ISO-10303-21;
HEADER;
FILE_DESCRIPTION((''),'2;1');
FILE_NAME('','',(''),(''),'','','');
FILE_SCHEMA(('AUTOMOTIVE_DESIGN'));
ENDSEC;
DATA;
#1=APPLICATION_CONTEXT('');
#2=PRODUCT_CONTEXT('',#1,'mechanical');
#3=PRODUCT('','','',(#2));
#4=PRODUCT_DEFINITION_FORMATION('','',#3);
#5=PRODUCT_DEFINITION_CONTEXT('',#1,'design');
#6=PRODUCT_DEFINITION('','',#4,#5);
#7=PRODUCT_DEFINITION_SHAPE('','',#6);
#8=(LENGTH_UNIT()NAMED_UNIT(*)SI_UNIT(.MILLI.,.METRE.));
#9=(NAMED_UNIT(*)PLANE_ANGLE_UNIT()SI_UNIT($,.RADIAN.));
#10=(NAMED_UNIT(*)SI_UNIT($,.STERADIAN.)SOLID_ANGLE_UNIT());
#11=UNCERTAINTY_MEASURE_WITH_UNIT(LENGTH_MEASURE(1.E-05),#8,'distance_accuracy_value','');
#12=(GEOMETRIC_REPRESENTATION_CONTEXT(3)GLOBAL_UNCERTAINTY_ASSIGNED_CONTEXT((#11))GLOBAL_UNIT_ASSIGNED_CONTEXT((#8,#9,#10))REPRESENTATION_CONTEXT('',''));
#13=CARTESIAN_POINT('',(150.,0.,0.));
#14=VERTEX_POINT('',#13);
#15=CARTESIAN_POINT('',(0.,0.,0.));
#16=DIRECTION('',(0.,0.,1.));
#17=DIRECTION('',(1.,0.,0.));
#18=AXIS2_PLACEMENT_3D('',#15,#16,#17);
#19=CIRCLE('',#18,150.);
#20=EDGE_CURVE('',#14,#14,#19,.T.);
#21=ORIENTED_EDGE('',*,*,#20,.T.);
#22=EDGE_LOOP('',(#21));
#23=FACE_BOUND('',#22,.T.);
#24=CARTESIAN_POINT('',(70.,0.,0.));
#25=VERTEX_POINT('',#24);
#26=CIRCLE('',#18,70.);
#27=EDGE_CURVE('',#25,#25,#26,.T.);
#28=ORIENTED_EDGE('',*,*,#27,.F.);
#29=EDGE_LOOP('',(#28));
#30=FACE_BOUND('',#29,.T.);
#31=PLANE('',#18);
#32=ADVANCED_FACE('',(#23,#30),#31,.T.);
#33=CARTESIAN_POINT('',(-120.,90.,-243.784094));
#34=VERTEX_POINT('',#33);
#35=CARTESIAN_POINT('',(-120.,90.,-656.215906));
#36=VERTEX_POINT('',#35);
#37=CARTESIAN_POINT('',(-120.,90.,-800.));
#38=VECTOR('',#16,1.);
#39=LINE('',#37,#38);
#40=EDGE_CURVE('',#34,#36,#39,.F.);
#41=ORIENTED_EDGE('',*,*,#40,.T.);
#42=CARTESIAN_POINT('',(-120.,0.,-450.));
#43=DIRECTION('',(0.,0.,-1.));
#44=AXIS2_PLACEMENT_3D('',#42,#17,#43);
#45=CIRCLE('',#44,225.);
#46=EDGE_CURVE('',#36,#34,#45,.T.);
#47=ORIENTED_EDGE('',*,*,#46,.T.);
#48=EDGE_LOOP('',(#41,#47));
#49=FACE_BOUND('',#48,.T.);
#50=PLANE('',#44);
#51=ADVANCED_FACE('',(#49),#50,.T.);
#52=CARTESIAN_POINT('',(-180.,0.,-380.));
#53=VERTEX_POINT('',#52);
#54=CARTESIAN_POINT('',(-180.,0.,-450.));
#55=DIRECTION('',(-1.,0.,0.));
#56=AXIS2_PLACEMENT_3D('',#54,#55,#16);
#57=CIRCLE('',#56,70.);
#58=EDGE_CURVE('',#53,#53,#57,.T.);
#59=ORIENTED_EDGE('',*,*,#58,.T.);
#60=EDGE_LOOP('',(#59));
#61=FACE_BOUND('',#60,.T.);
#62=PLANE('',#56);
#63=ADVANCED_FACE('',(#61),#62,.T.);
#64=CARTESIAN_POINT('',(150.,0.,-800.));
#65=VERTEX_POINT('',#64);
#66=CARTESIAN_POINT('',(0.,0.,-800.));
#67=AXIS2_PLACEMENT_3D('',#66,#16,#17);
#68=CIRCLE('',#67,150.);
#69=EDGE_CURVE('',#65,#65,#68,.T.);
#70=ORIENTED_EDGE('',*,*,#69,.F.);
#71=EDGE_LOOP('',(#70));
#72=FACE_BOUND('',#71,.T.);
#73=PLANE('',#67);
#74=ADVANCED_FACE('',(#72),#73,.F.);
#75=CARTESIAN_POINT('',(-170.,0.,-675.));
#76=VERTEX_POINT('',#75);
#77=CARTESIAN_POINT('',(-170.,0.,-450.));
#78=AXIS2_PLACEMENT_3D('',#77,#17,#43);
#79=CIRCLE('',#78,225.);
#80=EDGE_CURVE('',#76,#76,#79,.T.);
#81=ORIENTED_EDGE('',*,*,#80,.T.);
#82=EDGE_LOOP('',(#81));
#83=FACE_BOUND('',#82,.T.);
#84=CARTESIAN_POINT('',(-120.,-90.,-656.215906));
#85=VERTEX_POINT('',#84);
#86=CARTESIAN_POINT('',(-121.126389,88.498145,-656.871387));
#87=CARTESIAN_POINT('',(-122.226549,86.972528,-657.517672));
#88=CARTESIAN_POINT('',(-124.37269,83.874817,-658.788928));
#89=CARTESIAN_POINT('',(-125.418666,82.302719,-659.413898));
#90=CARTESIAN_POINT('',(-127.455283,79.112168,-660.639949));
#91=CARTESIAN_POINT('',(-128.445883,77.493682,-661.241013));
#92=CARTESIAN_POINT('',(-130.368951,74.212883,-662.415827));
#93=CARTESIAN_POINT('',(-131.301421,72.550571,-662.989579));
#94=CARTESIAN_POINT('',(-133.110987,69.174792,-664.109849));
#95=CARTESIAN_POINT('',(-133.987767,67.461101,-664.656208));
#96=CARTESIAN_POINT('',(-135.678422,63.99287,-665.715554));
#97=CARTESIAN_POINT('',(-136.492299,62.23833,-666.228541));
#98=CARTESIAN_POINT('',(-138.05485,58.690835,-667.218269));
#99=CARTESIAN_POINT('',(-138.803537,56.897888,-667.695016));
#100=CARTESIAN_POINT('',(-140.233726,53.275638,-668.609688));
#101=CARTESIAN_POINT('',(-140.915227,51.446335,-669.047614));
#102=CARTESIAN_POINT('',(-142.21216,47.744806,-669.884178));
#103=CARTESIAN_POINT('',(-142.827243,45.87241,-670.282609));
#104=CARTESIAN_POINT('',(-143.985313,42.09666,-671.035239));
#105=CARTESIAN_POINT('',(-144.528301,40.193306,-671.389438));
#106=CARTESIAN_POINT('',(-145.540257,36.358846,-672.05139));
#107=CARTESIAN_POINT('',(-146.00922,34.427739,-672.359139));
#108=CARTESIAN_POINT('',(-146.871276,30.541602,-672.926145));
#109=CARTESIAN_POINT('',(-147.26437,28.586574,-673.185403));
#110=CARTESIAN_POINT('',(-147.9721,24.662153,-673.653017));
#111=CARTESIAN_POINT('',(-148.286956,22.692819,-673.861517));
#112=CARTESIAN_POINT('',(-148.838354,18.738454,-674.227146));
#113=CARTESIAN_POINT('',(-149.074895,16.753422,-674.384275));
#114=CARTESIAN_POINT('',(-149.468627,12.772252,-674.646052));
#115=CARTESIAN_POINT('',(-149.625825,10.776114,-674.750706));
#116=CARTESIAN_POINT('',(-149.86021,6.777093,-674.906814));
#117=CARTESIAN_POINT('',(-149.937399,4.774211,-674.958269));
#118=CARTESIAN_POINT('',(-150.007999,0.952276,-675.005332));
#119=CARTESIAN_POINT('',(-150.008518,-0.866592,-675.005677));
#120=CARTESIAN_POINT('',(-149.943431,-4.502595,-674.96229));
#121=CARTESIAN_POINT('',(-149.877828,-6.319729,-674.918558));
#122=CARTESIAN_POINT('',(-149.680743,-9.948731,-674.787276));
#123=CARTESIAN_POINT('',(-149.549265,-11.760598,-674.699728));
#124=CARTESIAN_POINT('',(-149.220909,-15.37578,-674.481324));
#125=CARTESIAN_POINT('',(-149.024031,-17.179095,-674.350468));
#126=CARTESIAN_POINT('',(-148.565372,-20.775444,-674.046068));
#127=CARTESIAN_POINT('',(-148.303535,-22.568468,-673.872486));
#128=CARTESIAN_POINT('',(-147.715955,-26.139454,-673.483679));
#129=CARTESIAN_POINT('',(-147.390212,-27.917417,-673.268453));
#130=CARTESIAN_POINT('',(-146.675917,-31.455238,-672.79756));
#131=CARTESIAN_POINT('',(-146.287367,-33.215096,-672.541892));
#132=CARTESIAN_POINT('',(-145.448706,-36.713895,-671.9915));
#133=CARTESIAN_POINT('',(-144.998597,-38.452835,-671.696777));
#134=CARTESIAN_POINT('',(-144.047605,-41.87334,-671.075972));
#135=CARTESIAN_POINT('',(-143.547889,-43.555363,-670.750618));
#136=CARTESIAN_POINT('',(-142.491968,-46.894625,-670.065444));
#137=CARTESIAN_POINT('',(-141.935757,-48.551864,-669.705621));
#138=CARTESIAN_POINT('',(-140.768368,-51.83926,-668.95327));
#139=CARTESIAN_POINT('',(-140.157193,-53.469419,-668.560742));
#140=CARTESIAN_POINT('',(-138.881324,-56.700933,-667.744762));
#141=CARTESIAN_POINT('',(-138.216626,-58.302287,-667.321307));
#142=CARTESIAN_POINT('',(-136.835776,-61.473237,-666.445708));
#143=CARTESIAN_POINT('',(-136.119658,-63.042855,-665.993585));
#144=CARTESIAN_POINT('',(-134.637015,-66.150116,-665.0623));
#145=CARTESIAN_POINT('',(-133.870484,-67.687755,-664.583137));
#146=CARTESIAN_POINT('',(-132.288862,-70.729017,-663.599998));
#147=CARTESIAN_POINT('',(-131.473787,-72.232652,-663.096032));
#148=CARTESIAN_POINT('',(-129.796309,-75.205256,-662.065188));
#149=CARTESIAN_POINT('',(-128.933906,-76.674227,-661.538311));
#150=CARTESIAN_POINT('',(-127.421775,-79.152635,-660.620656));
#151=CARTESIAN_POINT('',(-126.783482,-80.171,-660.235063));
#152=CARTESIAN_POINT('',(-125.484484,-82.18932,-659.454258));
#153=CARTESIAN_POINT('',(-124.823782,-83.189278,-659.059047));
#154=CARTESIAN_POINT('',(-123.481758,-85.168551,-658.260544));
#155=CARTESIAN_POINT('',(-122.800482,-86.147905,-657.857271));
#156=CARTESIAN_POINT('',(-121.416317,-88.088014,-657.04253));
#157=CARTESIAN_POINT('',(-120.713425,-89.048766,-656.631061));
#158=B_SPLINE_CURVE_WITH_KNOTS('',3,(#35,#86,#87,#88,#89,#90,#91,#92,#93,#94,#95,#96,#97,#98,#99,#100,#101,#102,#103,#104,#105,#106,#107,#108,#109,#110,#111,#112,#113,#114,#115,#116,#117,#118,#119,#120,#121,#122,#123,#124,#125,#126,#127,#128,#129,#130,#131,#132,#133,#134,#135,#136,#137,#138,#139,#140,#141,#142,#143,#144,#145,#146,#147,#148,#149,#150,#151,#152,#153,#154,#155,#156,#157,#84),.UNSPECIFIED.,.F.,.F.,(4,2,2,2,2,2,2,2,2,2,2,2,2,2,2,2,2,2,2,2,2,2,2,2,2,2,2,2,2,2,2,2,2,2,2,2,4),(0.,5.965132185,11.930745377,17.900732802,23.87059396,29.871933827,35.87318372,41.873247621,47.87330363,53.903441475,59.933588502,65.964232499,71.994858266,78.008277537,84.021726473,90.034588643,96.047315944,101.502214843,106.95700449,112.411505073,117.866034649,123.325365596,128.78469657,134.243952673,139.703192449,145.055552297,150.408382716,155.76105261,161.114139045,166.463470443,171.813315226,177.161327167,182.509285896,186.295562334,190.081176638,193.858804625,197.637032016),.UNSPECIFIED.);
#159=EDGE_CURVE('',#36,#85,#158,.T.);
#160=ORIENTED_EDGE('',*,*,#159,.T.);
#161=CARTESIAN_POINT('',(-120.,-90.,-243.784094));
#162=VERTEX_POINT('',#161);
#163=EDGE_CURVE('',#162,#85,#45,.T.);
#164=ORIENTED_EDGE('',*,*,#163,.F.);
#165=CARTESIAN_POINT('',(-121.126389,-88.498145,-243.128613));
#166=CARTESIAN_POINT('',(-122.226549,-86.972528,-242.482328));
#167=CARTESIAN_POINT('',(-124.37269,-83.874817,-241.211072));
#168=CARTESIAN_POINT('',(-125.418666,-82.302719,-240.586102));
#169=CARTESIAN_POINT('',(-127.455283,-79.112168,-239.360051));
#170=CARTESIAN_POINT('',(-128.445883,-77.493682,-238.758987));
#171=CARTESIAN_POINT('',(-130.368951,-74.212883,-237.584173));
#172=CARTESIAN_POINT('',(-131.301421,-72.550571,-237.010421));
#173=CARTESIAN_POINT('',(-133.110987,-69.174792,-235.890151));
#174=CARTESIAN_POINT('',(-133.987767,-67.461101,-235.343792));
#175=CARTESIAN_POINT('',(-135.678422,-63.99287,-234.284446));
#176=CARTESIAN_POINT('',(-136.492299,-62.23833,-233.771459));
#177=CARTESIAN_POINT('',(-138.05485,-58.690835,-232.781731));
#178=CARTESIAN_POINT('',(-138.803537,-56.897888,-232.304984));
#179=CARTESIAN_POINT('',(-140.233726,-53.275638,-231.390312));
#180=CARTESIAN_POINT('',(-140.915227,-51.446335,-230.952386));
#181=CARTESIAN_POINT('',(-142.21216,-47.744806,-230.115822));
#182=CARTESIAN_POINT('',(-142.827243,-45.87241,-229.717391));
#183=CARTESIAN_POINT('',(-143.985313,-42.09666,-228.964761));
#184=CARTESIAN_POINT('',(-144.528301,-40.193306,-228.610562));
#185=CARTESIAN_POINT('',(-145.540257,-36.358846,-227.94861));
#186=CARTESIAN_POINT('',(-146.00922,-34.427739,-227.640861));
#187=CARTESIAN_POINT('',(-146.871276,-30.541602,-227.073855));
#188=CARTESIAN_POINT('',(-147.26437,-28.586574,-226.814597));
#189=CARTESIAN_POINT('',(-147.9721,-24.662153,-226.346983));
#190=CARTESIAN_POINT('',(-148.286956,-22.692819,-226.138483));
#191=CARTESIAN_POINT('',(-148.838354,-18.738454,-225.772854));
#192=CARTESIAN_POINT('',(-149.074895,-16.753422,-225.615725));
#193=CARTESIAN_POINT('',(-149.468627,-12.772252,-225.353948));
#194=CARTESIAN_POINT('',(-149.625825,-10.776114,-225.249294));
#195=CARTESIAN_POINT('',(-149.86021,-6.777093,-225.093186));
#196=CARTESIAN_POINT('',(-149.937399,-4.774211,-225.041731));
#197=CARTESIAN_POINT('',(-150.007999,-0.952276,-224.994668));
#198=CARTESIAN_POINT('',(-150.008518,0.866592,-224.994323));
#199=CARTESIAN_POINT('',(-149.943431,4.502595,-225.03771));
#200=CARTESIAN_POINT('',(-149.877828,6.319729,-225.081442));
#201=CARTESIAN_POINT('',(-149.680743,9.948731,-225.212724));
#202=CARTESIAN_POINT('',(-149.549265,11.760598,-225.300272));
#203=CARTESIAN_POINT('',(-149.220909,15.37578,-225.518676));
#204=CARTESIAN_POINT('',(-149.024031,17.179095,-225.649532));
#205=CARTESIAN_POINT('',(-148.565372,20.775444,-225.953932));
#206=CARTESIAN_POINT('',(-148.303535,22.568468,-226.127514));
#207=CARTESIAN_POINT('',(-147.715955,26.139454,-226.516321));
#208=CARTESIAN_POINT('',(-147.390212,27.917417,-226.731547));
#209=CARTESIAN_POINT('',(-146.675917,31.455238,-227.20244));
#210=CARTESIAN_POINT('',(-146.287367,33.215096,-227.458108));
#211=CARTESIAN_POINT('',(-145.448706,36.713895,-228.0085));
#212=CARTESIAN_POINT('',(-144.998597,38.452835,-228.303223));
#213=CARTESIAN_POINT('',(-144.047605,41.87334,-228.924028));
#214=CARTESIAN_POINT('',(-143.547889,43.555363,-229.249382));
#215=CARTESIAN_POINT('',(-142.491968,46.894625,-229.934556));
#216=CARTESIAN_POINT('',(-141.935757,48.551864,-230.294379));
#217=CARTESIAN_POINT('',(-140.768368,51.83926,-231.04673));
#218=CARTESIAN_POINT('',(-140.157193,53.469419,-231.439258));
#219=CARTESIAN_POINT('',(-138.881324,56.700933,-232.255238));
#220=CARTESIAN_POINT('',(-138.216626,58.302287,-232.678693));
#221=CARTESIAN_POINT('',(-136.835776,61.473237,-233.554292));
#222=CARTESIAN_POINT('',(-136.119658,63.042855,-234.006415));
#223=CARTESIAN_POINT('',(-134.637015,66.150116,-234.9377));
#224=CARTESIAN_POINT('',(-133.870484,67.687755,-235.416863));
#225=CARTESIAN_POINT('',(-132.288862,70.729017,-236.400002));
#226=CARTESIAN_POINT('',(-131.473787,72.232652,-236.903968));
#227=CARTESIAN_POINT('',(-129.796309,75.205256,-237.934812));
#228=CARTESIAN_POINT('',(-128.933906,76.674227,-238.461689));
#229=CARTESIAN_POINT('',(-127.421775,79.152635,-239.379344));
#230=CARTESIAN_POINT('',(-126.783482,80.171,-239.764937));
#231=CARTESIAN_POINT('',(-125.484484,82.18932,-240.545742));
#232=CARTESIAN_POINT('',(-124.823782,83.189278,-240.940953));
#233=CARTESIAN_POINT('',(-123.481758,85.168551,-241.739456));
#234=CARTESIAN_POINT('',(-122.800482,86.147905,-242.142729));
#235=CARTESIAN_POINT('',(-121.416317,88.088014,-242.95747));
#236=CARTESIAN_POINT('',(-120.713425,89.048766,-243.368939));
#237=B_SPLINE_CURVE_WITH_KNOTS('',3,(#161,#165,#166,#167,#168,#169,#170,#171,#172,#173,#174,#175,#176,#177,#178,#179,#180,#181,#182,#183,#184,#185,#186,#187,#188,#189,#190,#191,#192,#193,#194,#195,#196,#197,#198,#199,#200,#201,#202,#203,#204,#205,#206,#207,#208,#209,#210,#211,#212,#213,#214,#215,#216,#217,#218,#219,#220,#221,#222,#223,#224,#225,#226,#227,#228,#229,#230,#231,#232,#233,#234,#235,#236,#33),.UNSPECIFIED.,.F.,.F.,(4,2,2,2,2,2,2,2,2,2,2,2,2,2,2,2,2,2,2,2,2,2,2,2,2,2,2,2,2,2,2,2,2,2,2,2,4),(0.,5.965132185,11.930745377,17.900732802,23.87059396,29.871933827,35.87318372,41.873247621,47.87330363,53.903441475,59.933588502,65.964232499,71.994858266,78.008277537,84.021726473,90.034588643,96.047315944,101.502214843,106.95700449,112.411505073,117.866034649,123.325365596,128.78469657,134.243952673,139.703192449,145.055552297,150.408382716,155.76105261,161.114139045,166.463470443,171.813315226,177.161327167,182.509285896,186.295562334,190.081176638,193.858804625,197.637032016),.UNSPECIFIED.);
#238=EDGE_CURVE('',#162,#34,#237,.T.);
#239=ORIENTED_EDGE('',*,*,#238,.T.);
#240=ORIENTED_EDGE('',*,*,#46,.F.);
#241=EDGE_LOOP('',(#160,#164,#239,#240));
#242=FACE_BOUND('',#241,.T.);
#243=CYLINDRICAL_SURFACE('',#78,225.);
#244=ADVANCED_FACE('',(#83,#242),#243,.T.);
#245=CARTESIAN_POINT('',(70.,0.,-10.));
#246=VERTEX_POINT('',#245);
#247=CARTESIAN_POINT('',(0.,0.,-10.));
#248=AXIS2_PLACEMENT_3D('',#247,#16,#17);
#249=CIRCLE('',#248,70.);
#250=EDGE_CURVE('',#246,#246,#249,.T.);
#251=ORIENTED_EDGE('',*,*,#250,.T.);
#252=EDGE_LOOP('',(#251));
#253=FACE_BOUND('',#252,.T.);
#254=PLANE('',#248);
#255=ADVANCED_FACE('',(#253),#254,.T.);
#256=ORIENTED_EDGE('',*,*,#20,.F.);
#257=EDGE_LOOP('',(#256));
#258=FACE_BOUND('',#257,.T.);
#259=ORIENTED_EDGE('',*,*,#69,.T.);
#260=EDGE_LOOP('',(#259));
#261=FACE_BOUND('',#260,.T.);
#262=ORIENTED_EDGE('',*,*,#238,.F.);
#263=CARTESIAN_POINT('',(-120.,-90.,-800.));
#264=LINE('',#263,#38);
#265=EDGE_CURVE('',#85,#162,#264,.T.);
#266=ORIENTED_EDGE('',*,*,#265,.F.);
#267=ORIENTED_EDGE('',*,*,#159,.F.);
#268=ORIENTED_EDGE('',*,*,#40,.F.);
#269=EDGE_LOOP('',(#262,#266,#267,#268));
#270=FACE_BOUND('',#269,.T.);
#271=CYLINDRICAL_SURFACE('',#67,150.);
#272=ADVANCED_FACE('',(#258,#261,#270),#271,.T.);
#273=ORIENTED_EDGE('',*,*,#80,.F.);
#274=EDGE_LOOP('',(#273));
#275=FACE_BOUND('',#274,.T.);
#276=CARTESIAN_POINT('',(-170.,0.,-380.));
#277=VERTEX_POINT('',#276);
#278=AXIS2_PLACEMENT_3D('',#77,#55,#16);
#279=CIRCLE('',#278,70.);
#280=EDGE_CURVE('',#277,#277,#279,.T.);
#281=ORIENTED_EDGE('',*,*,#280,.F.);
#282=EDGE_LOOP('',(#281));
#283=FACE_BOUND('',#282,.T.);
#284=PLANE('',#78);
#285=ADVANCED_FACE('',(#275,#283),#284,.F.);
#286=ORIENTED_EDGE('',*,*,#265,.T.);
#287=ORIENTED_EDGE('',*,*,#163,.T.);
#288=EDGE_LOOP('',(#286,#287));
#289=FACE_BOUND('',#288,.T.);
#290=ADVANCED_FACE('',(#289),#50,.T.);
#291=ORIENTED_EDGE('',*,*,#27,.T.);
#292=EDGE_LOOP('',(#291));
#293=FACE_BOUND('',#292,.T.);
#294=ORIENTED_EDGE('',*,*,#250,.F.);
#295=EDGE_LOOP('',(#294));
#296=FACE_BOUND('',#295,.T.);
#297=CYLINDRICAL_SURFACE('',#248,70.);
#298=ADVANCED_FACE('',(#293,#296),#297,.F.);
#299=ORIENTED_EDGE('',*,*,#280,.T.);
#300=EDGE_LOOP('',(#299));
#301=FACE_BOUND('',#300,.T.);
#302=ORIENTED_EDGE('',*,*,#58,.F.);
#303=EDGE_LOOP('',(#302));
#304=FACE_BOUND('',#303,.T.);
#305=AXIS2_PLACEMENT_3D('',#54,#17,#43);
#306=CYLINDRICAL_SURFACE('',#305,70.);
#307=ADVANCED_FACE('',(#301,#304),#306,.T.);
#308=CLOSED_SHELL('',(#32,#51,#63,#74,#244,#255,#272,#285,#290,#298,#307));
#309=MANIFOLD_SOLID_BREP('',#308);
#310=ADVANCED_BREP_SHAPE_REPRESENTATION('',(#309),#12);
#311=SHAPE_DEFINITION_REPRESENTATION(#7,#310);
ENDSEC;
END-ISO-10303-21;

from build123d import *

# Parameters (mm, degrees)
ESQUISSE1_R             = 150
BOSS_EXTRU_1_DEPTH      = 800
ESQUISSE2_R             = 225
BOSS_EXTRU_2_DEPTH      = 50
ESQUISSE4_R             = 70
ENL_V_MAT_EXTRU_2_DEPTH = 10
ESQUISSE3_R             = 70
BOSS_EXTRU_3_DEPTH      = 10


with BuildPart() as part:
    # Esquisse1 → Boss.-Extru.1 (new body)
    with BuildSketch(Plane.XY):
        Circle(ESQUISSE1_R)
    extrude(amount=-BOSS_EXTRU_1_DEPTH)

    # Esquisse2 → Boss.-Extru.2 (add)
    with BuildSketch(Plane(origin=(-120, 0, 0), x_dir=(0, 0, -1), z_dir=(1, 0, 0))):
        with Locations((450, 0)):
            Circle(ESQUISSE2_R)
    extrude(amount=-BOSS_EXTRU_2_DEPTH)

    # Esquisse4 → Enlèv. mat.-Extru.2 (cut)
    with BuildSketch(Plane.XY):
        Circle(ESQUISSE4_R)
    extrude(amount=-ENL_V_MAT_EXTRU_2_DEPTH, mode=Mode.SUBTRACT)

    # Esquisse3 → Boss.-Extru.3 (add)
    with BuildSketch(Plane.ZY.offset(170)):
        with Locations((-450, 0)):
            Circle(ESQUISSE3_R)
    extrude(amount=BOSS_EXTRU_3_DEPTH)


solid = part.part
